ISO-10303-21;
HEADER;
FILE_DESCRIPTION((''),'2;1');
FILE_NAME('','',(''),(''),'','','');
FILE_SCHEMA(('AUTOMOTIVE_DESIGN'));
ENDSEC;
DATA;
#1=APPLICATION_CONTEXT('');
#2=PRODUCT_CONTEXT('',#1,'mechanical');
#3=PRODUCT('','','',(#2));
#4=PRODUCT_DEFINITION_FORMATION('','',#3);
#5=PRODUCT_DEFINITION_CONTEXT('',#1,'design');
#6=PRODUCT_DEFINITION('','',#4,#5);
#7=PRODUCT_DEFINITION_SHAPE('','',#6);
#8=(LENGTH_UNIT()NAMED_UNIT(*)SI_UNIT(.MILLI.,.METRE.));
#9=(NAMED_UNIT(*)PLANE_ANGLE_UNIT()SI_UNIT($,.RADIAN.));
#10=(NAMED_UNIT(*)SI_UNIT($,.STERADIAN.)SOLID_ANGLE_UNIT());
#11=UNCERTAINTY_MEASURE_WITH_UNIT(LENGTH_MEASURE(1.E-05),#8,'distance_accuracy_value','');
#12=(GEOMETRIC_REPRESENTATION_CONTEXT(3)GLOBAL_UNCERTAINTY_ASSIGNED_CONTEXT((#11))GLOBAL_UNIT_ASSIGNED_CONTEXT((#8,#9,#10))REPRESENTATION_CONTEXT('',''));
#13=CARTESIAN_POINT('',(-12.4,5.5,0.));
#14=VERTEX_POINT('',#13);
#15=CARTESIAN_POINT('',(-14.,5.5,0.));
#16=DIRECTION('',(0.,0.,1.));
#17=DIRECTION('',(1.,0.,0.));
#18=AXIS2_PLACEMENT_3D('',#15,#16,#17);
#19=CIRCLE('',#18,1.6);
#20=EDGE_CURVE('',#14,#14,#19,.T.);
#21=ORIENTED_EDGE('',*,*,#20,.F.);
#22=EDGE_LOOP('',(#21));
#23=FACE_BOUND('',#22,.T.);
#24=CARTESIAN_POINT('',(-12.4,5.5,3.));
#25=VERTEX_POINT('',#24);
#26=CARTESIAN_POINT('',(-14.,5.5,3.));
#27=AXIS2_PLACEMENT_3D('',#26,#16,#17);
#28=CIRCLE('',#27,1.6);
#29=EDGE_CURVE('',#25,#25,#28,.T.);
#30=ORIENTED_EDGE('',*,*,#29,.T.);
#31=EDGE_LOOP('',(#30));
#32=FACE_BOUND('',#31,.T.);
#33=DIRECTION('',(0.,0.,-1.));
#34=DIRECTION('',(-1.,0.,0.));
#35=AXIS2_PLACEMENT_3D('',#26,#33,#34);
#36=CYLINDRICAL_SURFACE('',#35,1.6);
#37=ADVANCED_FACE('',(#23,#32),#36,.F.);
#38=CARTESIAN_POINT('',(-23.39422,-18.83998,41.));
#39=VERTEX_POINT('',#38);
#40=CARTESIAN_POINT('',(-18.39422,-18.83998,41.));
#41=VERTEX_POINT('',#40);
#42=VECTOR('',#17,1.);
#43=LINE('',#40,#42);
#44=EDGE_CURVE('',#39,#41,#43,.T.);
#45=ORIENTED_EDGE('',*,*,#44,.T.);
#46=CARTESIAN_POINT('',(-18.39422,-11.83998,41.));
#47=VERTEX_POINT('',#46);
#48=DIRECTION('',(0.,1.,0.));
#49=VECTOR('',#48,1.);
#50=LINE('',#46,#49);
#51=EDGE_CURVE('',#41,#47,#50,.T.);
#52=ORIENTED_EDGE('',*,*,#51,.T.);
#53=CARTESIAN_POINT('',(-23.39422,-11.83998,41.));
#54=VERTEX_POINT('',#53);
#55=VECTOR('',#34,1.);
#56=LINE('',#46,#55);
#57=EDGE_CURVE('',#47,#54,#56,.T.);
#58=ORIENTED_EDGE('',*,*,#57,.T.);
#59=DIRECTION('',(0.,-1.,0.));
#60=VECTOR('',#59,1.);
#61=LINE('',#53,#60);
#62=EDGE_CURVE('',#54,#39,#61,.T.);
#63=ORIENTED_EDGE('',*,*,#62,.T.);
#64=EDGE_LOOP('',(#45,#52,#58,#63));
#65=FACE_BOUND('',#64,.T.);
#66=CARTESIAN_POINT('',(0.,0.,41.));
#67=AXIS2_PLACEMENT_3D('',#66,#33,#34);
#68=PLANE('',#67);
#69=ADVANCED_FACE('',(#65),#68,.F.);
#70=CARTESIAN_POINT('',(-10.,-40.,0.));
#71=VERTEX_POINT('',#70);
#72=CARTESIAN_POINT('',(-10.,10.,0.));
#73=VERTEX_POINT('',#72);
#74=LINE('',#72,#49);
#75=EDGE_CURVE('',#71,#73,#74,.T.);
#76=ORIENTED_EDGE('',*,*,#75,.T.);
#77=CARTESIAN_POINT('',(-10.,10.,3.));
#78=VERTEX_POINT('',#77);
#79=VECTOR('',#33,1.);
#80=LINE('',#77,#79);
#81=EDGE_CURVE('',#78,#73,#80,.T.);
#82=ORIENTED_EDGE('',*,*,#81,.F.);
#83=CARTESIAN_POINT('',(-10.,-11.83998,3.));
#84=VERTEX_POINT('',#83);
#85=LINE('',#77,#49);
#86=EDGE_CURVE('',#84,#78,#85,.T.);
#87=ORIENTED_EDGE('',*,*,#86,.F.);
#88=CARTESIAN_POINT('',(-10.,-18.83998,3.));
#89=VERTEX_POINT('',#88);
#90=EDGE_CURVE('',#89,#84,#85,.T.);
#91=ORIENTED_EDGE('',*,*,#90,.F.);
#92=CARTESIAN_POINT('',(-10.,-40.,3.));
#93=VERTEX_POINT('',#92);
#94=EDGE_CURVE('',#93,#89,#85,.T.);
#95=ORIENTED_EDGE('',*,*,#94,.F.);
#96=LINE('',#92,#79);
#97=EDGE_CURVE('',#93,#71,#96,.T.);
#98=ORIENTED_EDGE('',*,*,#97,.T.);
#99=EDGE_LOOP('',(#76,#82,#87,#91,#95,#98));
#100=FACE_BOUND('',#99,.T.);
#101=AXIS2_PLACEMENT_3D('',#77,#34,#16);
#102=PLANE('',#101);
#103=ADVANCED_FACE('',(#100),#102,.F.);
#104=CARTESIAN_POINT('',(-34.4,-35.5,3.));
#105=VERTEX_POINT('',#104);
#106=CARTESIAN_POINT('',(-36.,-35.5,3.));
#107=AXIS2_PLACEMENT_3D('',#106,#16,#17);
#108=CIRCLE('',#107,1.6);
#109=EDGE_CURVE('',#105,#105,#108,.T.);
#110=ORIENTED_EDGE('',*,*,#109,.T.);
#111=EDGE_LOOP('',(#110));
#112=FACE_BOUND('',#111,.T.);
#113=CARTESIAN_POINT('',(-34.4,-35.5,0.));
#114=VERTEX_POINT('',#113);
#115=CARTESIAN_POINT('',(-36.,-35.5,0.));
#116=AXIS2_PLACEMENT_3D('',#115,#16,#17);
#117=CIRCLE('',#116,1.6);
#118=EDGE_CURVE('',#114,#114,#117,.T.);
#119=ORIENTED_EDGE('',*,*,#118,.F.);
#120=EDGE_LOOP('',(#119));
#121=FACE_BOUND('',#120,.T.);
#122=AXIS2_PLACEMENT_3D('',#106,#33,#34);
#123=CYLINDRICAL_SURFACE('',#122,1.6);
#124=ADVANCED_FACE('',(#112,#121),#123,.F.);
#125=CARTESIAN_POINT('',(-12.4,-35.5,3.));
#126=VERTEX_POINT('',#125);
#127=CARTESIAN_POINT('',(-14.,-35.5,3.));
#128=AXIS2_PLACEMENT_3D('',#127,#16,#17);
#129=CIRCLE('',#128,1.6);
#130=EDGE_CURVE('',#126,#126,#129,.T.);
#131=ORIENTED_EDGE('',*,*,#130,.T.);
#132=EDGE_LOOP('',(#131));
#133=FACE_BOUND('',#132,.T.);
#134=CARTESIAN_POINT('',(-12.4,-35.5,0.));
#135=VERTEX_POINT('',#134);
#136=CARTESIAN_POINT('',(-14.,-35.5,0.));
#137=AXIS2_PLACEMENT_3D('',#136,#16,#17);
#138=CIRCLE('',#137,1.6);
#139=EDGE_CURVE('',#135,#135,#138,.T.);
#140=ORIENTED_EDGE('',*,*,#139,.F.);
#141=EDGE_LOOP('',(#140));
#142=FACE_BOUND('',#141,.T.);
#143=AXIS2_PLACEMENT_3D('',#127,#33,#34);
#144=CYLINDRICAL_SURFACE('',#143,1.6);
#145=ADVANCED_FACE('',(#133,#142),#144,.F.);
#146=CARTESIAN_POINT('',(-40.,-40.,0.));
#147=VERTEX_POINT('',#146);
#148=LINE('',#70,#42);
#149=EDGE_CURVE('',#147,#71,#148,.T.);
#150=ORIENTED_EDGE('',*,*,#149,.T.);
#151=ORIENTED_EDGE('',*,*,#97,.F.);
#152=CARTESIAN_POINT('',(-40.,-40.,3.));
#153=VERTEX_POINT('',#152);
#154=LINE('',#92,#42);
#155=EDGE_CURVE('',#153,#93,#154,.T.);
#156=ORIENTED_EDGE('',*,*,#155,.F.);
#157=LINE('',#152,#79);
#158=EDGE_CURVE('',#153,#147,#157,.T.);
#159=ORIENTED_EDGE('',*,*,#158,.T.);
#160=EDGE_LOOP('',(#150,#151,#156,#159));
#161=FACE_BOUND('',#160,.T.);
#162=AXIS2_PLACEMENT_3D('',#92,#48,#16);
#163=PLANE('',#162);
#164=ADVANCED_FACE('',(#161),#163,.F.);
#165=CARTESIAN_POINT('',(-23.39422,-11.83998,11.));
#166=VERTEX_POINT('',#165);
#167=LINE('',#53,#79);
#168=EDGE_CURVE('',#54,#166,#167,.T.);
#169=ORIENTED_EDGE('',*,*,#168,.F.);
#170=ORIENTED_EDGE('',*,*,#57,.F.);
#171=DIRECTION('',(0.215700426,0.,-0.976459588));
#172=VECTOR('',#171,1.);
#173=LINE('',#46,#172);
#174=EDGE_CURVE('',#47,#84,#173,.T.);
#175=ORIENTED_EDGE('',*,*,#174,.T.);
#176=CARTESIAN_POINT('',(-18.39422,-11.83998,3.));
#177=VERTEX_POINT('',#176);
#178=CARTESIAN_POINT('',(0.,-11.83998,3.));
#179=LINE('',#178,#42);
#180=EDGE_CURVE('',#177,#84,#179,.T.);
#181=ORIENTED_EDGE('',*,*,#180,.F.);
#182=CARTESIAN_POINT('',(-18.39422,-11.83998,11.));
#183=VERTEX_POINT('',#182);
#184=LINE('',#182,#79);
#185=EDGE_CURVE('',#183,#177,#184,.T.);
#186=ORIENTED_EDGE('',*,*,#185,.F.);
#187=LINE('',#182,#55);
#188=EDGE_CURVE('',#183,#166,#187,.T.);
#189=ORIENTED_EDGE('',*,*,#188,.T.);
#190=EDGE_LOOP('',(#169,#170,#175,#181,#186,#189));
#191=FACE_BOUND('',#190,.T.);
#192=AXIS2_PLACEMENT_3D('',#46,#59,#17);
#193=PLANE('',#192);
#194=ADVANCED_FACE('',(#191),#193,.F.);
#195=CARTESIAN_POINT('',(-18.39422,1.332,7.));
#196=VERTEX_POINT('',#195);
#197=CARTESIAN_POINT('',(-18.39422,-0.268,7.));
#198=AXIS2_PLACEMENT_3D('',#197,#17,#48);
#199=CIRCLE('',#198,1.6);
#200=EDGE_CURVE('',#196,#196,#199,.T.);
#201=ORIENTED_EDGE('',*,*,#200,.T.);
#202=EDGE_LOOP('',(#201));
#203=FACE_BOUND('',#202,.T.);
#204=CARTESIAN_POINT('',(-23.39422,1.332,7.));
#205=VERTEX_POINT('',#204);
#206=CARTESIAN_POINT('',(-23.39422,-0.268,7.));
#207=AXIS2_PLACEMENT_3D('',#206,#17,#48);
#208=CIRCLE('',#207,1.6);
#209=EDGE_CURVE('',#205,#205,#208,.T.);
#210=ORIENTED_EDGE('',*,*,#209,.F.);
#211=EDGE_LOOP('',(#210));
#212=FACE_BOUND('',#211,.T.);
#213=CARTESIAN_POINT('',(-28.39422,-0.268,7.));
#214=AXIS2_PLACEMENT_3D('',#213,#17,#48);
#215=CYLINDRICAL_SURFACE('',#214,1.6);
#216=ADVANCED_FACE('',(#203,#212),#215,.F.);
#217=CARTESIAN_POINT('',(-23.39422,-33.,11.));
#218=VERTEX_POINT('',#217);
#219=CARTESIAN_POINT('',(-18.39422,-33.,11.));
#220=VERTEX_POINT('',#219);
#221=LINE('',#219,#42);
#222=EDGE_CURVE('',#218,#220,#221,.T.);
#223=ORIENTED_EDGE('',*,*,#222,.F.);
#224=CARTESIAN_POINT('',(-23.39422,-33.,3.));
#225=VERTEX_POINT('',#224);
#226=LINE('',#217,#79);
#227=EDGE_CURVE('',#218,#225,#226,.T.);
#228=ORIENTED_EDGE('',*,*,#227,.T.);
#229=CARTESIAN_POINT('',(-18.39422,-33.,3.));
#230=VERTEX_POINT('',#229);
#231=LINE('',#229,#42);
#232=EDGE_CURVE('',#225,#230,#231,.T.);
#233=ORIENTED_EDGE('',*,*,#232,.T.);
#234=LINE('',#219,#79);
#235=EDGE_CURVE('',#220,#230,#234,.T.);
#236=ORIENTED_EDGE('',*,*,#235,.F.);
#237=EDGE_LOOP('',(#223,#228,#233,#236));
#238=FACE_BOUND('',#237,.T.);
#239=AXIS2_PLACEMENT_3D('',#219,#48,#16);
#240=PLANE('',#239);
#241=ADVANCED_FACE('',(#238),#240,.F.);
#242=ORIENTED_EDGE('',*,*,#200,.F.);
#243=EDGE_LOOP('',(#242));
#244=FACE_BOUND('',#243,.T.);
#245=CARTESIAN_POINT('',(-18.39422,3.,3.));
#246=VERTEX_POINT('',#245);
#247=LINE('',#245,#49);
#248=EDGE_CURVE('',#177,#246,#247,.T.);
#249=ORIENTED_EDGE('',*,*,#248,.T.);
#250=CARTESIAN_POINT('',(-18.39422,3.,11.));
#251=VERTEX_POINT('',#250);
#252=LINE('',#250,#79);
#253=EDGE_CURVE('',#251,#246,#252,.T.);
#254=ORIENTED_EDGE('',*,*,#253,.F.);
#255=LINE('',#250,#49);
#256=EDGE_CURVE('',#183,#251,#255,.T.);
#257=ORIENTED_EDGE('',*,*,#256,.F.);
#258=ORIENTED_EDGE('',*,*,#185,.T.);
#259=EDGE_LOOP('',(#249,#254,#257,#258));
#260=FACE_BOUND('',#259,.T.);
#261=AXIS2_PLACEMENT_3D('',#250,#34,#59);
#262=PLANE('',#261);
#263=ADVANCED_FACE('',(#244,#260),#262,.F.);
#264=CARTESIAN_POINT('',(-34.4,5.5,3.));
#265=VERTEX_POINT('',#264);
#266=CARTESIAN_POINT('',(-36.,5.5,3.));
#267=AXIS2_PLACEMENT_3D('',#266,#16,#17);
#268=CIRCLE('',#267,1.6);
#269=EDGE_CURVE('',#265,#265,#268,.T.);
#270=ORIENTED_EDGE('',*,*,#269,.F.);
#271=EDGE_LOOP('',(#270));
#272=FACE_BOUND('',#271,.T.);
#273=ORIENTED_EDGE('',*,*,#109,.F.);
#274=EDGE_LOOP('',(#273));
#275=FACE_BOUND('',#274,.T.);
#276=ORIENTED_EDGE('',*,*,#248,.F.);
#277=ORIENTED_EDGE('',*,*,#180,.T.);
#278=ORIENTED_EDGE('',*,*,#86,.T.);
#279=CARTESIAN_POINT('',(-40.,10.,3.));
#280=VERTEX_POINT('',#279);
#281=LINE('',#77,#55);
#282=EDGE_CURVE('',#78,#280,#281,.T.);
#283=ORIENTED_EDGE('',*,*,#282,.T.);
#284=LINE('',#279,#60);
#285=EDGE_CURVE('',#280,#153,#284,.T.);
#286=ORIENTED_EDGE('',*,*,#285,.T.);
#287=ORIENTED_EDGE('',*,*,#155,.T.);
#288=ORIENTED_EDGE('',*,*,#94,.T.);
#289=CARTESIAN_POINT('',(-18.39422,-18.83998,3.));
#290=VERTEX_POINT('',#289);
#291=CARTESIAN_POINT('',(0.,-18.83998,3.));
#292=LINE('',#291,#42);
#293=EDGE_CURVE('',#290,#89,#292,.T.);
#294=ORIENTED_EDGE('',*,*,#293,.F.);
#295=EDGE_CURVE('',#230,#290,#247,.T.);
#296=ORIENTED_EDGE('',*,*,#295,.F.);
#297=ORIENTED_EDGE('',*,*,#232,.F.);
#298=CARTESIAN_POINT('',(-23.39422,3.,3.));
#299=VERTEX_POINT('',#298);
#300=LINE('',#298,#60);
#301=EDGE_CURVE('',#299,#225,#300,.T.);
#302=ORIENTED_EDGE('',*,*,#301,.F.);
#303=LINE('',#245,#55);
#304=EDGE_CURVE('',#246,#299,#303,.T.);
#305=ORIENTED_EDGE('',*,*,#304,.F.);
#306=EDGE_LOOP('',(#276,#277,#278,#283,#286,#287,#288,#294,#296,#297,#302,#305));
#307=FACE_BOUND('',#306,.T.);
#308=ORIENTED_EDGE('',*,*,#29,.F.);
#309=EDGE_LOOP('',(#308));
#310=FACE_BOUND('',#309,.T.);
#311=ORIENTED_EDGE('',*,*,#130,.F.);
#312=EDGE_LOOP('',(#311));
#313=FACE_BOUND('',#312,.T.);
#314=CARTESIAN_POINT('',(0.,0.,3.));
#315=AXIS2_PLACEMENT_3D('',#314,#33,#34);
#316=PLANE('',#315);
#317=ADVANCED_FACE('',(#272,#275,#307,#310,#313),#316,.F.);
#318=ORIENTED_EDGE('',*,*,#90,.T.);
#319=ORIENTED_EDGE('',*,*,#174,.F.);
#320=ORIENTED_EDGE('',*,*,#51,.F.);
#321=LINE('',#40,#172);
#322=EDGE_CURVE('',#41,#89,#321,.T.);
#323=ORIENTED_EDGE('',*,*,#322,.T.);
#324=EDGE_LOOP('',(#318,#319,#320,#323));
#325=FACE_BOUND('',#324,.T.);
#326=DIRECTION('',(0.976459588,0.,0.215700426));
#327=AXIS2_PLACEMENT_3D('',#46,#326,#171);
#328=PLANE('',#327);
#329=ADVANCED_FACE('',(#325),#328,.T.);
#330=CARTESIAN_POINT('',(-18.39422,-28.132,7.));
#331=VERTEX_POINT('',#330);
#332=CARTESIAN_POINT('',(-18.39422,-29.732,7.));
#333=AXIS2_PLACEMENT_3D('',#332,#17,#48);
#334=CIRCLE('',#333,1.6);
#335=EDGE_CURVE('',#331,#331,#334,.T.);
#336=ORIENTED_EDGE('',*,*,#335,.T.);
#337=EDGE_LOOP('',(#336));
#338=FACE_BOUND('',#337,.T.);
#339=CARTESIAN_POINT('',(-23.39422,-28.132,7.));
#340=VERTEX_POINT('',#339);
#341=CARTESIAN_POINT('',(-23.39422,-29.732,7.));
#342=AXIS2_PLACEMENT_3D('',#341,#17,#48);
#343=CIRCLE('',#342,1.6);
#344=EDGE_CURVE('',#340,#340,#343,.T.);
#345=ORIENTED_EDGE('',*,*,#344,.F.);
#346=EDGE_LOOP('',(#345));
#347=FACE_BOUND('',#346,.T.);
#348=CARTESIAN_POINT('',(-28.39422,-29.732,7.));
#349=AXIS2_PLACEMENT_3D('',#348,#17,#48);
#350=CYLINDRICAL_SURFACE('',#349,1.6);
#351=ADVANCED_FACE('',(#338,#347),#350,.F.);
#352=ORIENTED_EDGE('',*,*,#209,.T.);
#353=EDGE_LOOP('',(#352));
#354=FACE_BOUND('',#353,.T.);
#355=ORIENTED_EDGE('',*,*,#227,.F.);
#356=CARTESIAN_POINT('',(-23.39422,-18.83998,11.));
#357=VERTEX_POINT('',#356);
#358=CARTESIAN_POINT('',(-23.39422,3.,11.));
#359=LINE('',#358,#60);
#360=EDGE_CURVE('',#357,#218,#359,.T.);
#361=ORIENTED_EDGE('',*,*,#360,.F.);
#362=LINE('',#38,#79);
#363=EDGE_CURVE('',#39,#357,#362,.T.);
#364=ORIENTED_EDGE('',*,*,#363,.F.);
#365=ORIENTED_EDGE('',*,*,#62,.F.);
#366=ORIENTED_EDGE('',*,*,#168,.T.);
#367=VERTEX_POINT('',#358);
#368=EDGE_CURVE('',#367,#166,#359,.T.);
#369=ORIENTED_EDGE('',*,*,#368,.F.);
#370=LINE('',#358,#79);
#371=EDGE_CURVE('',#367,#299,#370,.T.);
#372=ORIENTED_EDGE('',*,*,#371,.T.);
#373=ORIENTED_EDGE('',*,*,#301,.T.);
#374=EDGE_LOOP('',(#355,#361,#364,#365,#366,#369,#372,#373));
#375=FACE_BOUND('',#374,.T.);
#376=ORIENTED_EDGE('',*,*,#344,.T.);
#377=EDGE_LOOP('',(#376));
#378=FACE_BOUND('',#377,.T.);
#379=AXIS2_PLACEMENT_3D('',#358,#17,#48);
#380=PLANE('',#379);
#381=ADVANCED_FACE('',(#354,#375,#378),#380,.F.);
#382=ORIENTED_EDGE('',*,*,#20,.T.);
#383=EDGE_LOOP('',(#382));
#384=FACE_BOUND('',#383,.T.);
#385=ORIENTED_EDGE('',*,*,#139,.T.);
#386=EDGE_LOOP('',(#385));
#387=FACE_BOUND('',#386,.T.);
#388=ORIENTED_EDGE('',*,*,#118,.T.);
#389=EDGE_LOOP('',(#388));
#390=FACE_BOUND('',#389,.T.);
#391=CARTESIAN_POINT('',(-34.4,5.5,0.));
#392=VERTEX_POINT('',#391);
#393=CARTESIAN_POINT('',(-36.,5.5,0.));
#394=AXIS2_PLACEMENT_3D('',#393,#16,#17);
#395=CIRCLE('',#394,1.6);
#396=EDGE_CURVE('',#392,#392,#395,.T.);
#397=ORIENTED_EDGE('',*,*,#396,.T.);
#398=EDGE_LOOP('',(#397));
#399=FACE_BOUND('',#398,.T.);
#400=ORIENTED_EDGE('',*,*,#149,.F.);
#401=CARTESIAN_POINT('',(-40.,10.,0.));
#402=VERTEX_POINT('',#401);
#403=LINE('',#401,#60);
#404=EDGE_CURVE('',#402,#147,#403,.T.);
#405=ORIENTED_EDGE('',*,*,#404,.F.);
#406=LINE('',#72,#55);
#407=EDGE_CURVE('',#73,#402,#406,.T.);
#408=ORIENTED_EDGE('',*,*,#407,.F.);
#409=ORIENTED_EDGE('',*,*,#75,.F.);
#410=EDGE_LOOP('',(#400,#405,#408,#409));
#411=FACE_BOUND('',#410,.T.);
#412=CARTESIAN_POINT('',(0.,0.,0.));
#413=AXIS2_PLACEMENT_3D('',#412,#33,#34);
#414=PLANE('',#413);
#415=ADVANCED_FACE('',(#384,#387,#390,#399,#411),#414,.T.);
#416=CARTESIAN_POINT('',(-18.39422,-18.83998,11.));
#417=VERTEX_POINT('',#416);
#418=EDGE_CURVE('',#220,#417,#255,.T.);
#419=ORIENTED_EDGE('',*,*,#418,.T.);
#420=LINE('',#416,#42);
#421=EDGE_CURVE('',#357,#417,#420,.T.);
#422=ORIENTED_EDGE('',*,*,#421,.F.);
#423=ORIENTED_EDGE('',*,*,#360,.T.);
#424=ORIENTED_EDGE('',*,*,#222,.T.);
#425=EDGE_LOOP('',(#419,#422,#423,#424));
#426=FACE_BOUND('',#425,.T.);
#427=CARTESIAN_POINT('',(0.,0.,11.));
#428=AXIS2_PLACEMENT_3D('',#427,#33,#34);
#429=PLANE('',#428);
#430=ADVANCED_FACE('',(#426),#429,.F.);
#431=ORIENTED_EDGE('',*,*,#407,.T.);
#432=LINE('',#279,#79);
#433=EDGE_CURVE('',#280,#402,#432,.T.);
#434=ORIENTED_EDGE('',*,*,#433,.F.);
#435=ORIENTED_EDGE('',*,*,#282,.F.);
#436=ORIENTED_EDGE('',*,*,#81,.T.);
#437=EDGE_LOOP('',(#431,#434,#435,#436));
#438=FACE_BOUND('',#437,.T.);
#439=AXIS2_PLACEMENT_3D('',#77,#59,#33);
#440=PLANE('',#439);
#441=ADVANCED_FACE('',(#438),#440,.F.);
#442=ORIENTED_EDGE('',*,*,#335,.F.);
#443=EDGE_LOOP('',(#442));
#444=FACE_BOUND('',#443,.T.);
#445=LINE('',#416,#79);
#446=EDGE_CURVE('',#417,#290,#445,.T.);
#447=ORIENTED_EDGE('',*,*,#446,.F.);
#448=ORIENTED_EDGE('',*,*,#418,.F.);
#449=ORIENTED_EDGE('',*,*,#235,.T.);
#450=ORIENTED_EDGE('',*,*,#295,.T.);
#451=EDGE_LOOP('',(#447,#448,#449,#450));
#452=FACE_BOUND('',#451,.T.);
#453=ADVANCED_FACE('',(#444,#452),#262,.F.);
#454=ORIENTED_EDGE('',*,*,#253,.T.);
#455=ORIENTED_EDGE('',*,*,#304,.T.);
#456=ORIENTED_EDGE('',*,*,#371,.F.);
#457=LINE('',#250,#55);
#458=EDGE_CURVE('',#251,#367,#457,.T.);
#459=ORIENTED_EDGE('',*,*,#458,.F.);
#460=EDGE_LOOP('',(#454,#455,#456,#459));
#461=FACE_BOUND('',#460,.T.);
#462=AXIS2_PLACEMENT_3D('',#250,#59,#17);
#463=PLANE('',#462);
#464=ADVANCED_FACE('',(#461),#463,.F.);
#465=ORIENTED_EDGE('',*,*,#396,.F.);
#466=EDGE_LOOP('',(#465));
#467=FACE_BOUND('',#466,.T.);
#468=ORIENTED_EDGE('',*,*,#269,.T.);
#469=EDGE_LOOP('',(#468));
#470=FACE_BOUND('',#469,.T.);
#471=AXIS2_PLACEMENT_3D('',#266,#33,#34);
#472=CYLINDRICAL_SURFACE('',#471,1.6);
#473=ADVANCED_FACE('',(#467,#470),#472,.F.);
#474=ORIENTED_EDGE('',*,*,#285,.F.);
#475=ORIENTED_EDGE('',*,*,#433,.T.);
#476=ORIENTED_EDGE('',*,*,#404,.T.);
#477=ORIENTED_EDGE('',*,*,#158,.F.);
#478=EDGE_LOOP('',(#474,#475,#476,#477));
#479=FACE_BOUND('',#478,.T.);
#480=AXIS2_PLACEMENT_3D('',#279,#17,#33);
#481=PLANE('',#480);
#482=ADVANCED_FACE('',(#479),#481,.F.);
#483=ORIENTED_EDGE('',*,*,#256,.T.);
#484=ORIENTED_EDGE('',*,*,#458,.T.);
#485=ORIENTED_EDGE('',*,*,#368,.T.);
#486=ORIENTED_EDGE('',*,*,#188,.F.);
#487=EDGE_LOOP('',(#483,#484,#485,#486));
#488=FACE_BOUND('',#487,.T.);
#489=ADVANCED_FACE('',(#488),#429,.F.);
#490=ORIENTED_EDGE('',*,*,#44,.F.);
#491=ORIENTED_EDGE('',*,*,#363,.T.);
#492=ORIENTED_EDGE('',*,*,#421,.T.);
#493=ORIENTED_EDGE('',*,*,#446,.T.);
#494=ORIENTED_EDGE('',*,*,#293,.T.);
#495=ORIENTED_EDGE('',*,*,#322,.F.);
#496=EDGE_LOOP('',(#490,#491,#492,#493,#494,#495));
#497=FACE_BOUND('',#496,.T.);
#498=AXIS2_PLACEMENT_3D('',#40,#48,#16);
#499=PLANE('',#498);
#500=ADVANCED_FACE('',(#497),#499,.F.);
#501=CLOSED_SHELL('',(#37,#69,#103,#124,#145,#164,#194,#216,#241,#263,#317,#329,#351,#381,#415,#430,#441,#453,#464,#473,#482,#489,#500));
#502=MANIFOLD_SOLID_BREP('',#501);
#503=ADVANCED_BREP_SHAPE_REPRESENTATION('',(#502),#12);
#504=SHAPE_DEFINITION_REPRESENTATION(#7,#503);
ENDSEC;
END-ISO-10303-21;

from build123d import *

# Parameters (mm, degrees)
SKETCH_1_W          = 30
SKETCH_1_H          = 50
SKETCH_1_R          = 1.6
EXTRUDE_1_DEPTH     = 3
SKETCH_2_W          = 5
SKETCH_2_H          = 36
EXTRUDE_2_DEPTH     = 8
SKETCH_5_R          = 1.6
CUT_EXTRUDE_1_DEPTH = 10
SKETCH_6_W          = 5
SKETCH_6_H          = 7
EXTRUDE_3_DEPTH     = 30
RIB_1_REACH         = 65.828
SKETCH_7_WALL_W     = 168.57168005
SKETCH_7_WALL_H     = 7


with BuildPart() as part:
    # 草图1 → 凸台-拉伸1 (new body)
    with BuildSketch(Plane.XY):
        with Locations((-25, -15)):
            Rectangle(SKETCH_1_W, SKETCH_1_H)
        with Locations((-14, 5.5)):
            Circle(SKETCH_1_R, mode=Mode.SUBTRACT)
        with Locations((-36, -35.5)):
            Circle(SKETCH_1_R, mode=Mode.SUBTRACT)
        with Locations((-14, -35.5)):
            Circle(SKETCH_1_R, mode=Mode.SUBTRACT)
        with Locations((-36, 5.5)):
            Circle(SKETCH_1_R, mode=Mode.SUBTRACT)
    extrude(amount=EXTRUDE_1_DEPTH)

    # 草图2 → 凸台-拉伸2 (add)
    with BuildSketch(Plane.XY.offset(3)):
        with Locations((-20.894219559, -15)):
            Rectangle(SKETCH_2_W, SKETCH_2_H)
    extrude(amount=EXTRUDE_2_DEPTH)

    # 草图5 → 切除-拉伸1 (cut)
    with BuildSketch(Plane(origin=(-18.394219559, 0, 0), x_dir=(0, 0, -1), z_dir=(1, 0, 0))):
        with Locations(Location((-7, -0.268, 0), (0, 0, 90))):
            Circle(SKETCH_5_R)
        with Locations(Location((-7, -29.732, 0), (0, 0, 90))):
            Circle(SKETCH_5_R)
    extrude(amount=-CUT_EXTRUDE_1_DEPTH, mode=Mode.SUBTRACT)

    # 草图6 → 凸台-拉伸3 (add)
    with BuildSketch(Plane.XY.offset(11)):
        with Locations((-20.894219559, -15.339980262)):
            Rectangle(SKETCH_6_W, SKETCH_6_H)
    extrude(amount=EXTRUDE_3_DEPTH)

    # 草图7 wall → 筋1 (add, up to next)
    with BuildSketch(Plane(origin=(-14.197109779, -11.839980262, 22), x_dir=(0.215700425519, 0, -0.97645958771), z_dir=(-0.97645958771, 0, -0.215700425519)), mode=Mode.PRIVATE) as rib_1_sk1:
        with Locations((0, 3.5)):
            Rectangle(SKETCH_7_WALL_W, SKETCH_7_WALL_H)
    rib_1_tool1 = extrude(rib_1_sk1.sketch, amount=RIB_1_REACH, mode=Mode.PRIVATE) - part.part
    add(rib_1_tool1.solids().sort_by_distance((-14.197109779, -11.839980262, 22))[0])


solid = part.part
